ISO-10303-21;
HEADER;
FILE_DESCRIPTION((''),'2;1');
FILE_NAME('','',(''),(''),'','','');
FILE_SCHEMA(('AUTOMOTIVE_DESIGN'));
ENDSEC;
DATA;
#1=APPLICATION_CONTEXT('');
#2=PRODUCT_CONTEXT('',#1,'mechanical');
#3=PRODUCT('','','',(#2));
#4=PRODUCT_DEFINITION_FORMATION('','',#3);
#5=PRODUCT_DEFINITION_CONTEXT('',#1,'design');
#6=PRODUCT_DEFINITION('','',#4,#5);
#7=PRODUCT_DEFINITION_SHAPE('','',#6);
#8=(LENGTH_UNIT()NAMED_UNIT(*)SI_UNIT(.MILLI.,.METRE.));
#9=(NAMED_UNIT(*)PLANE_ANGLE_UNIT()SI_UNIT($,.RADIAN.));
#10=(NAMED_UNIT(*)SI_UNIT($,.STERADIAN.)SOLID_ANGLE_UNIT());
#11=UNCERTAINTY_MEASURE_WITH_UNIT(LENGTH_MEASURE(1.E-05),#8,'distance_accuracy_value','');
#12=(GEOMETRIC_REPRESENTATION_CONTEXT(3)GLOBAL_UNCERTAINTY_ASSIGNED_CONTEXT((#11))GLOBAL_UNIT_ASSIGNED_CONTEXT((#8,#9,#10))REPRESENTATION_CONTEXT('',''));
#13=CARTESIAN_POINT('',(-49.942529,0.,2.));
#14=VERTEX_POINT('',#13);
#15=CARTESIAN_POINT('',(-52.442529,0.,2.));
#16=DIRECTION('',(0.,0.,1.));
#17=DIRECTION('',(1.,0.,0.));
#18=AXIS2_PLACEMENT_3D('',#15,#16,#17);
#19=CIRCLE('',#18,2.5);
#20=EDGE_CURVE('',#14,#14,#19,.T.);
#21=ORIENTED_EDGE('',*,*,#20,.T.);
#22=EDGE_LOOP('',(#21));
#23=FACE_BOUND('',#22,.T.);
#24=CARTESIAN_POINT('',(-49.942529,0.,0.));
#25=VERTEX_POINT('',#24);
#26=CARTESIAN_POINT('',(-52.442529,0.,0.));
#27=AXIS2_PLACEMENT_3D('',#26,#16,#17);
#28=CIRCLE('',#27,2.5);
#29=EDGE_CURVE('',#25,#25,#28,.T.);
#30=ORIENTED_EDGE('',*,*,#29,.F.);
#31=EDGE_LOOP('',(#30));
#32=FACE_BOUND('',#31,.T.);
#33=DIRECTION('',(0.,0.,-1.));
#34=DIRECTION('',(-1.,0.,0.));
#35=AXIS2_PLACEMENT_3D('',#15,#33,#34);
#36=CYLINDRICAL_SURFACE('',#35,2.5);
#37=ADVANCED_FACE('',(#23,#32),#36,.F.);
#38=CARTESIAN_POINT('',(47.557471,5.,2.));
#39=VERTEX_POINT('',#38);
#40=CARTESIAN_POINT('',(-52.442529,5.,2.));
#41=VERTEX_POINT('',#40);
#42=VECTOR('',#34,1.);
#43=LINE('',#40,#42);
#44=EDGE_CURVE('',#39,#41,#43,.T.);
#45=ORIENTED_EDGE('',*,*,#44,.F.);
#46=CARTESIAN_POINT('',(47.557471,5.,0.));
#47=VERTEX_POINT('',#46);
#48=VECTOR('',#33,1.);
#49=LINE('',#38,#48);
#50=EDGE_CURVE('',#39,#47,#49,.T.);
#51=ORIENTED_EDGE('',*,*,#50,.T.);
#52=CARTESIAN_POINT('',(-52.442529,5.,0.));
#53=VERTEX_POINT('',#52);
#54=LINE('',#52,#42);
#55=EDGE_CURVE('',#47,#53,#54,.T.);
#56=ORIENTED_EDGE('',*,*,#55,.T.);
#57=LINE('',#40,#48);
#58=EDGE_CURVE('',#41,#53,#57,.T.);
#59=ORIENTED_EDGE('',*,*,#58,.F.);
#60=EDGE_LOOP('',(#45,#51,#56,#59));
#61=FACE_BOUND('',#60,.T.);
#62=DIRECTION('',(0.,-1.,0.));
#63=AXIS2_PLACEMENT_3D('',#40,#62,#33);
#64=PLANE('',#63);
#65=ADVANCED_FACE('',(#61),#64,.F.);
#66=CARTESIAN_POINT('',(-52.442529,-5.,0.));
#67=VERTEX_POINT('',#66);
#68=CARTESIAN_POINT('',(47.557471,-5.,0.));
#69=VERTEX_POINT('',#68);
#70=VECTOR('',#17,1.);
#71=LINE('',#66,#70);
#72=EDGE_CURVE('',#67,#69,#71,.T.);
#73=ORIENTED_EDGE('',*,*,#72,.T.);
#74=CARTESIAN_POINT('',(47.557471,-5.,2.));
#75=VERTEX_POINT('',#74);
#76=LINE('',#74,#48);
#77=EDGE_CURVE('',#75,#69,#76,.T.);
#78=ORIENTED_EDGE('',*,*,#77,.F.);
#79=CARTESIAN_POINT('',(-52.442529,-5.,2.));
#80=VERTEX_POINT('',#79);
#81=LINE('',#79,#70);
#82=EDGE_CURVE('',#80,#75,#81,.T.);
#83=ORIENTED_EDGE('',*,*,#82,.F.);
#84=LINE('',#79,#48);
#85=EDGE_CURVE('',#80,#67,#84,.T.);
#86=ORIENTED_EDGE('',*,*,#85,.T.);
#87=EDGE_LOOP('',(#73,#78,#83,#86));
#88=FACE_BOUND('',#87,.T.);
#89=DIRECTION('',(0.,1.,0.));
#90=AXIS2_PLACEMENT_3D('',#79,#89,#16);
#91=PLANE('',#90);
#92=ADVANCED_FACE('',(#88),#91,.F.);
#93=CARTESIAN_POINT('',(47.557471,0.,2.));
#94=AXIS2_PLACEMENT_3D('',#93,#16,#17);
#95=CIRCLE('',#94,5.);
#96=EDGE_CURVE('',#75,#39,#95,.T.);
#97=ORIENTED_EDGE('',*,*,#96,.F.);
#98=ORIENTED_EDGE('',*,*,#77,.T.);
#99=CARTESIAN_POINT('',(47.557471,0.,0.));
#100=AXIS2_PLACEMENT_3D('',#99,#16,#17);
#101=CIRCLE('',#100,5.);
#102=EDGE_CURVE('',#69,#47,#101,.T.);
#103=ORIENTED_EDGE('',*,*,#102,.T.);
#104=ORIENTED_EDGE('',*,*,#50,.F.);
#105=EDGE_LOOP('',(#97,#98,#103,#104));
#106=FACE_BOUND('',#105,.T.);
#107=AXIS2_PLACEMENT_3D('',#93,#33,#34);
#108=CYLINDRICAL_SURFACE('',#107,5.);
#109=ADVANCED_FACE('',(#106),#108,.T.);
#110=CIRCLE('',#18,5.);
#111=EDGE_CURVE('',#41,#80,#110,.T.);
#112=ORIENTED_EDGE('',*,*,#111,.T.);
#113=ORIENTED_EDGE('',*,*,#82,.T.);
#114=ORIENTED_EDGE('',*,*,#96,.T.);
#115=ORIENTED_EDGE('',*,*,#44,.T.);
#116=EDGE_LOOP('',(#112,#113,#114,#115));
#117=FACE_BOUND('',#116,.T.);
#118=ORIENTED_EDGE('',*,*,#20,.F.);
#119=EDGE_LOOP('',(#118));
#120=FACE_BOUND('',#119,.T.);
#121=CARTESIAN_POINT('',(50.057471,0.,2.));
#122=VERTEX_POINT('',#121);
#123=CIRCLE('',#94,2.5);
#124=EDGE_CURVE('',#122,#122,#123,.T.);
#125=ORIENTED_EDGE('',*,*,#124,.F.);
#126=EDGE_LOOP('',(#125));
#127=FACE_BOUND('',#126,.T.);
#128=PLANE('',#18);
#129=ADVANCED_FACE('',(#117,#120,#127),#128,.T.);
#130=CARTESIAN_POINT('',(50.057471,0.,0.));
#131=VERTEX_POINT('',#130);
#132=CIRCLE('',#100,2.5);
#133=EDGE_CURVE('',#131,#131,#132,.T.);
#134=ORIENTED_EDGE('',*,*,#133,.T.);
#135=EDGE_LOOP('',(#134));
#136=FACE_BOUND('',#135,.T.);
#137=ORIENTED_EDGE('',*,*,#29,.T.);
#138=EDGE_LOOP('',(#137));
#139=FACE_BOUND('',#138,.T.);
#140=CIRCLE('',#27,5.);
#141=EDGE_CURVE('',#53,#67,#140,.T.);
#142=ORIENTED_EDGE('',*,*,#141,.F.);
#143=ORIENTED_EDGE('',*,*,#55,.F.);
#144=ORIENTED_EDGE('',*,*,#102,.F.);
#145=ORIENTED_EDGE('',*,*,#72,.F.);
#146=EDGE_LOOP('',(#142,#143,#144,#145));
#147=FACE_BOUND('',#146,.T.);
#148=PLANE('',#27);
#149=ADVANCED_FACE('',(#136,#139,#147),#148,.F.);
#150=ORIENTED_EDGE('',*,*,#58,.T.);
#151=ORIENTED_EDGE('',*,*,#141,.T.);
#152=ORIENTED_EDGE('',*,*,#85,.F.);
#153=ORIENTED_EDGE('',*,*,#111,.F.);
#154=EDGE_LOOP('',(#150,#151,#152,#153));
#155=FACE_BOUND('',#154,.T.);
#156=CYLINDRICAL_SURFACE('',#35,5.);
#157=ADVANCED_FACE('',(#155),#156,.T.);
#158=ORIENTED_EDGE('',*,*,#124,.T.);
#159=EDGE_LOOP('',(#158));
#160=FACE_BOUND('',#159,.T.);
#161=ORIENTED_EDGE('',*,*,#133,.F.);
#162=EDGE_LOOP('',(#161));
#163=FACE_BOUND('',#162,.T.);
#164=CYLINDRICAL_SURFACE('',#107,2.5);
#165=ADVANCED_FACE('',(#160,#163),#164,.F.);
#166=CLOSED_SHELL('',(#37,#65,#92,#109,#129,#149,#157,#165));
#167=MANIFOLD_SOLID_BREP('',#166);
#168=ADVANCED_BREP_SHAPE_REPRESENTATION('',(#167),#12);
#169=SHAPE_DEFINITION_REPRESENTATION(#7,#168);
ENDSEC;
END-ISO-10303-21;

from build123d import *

# Parameters (mm, degrees)
SKETCH1_R           = 2.5
BOSS_EXTRUDE1_DEPTH = 2


with BuildPart() as part:
    # Sketch1 → Boss-Extrude1 (new body)
    with BuildSketch(Plane.XY):
        with BuildLine():
            Line((-52.442528736, 5), (47.557471264, 5))
            ThreePointArc((47.557471264, 5), (52.557471264, 0), (47.557471264, -5))
            Line((47.557471264, -5), (-52.442528736, -5))
            ThreePointArc((-52.442528736, -5), (-57.442528736, 0), (-52.442528736, 5))
        make_face()
        with Locations((-52.442528736, 0)):
            Circle(SKETCH1_R, mode=Mode.SUBTRACT)
        with Locations((47.557471264, 0)):
            Circle(SKETCH1_R, mode=Mode.SUBTRACT)
    extrude(amount=BOSS_EXTRUDE1_DEPTH)


solid = part.part
